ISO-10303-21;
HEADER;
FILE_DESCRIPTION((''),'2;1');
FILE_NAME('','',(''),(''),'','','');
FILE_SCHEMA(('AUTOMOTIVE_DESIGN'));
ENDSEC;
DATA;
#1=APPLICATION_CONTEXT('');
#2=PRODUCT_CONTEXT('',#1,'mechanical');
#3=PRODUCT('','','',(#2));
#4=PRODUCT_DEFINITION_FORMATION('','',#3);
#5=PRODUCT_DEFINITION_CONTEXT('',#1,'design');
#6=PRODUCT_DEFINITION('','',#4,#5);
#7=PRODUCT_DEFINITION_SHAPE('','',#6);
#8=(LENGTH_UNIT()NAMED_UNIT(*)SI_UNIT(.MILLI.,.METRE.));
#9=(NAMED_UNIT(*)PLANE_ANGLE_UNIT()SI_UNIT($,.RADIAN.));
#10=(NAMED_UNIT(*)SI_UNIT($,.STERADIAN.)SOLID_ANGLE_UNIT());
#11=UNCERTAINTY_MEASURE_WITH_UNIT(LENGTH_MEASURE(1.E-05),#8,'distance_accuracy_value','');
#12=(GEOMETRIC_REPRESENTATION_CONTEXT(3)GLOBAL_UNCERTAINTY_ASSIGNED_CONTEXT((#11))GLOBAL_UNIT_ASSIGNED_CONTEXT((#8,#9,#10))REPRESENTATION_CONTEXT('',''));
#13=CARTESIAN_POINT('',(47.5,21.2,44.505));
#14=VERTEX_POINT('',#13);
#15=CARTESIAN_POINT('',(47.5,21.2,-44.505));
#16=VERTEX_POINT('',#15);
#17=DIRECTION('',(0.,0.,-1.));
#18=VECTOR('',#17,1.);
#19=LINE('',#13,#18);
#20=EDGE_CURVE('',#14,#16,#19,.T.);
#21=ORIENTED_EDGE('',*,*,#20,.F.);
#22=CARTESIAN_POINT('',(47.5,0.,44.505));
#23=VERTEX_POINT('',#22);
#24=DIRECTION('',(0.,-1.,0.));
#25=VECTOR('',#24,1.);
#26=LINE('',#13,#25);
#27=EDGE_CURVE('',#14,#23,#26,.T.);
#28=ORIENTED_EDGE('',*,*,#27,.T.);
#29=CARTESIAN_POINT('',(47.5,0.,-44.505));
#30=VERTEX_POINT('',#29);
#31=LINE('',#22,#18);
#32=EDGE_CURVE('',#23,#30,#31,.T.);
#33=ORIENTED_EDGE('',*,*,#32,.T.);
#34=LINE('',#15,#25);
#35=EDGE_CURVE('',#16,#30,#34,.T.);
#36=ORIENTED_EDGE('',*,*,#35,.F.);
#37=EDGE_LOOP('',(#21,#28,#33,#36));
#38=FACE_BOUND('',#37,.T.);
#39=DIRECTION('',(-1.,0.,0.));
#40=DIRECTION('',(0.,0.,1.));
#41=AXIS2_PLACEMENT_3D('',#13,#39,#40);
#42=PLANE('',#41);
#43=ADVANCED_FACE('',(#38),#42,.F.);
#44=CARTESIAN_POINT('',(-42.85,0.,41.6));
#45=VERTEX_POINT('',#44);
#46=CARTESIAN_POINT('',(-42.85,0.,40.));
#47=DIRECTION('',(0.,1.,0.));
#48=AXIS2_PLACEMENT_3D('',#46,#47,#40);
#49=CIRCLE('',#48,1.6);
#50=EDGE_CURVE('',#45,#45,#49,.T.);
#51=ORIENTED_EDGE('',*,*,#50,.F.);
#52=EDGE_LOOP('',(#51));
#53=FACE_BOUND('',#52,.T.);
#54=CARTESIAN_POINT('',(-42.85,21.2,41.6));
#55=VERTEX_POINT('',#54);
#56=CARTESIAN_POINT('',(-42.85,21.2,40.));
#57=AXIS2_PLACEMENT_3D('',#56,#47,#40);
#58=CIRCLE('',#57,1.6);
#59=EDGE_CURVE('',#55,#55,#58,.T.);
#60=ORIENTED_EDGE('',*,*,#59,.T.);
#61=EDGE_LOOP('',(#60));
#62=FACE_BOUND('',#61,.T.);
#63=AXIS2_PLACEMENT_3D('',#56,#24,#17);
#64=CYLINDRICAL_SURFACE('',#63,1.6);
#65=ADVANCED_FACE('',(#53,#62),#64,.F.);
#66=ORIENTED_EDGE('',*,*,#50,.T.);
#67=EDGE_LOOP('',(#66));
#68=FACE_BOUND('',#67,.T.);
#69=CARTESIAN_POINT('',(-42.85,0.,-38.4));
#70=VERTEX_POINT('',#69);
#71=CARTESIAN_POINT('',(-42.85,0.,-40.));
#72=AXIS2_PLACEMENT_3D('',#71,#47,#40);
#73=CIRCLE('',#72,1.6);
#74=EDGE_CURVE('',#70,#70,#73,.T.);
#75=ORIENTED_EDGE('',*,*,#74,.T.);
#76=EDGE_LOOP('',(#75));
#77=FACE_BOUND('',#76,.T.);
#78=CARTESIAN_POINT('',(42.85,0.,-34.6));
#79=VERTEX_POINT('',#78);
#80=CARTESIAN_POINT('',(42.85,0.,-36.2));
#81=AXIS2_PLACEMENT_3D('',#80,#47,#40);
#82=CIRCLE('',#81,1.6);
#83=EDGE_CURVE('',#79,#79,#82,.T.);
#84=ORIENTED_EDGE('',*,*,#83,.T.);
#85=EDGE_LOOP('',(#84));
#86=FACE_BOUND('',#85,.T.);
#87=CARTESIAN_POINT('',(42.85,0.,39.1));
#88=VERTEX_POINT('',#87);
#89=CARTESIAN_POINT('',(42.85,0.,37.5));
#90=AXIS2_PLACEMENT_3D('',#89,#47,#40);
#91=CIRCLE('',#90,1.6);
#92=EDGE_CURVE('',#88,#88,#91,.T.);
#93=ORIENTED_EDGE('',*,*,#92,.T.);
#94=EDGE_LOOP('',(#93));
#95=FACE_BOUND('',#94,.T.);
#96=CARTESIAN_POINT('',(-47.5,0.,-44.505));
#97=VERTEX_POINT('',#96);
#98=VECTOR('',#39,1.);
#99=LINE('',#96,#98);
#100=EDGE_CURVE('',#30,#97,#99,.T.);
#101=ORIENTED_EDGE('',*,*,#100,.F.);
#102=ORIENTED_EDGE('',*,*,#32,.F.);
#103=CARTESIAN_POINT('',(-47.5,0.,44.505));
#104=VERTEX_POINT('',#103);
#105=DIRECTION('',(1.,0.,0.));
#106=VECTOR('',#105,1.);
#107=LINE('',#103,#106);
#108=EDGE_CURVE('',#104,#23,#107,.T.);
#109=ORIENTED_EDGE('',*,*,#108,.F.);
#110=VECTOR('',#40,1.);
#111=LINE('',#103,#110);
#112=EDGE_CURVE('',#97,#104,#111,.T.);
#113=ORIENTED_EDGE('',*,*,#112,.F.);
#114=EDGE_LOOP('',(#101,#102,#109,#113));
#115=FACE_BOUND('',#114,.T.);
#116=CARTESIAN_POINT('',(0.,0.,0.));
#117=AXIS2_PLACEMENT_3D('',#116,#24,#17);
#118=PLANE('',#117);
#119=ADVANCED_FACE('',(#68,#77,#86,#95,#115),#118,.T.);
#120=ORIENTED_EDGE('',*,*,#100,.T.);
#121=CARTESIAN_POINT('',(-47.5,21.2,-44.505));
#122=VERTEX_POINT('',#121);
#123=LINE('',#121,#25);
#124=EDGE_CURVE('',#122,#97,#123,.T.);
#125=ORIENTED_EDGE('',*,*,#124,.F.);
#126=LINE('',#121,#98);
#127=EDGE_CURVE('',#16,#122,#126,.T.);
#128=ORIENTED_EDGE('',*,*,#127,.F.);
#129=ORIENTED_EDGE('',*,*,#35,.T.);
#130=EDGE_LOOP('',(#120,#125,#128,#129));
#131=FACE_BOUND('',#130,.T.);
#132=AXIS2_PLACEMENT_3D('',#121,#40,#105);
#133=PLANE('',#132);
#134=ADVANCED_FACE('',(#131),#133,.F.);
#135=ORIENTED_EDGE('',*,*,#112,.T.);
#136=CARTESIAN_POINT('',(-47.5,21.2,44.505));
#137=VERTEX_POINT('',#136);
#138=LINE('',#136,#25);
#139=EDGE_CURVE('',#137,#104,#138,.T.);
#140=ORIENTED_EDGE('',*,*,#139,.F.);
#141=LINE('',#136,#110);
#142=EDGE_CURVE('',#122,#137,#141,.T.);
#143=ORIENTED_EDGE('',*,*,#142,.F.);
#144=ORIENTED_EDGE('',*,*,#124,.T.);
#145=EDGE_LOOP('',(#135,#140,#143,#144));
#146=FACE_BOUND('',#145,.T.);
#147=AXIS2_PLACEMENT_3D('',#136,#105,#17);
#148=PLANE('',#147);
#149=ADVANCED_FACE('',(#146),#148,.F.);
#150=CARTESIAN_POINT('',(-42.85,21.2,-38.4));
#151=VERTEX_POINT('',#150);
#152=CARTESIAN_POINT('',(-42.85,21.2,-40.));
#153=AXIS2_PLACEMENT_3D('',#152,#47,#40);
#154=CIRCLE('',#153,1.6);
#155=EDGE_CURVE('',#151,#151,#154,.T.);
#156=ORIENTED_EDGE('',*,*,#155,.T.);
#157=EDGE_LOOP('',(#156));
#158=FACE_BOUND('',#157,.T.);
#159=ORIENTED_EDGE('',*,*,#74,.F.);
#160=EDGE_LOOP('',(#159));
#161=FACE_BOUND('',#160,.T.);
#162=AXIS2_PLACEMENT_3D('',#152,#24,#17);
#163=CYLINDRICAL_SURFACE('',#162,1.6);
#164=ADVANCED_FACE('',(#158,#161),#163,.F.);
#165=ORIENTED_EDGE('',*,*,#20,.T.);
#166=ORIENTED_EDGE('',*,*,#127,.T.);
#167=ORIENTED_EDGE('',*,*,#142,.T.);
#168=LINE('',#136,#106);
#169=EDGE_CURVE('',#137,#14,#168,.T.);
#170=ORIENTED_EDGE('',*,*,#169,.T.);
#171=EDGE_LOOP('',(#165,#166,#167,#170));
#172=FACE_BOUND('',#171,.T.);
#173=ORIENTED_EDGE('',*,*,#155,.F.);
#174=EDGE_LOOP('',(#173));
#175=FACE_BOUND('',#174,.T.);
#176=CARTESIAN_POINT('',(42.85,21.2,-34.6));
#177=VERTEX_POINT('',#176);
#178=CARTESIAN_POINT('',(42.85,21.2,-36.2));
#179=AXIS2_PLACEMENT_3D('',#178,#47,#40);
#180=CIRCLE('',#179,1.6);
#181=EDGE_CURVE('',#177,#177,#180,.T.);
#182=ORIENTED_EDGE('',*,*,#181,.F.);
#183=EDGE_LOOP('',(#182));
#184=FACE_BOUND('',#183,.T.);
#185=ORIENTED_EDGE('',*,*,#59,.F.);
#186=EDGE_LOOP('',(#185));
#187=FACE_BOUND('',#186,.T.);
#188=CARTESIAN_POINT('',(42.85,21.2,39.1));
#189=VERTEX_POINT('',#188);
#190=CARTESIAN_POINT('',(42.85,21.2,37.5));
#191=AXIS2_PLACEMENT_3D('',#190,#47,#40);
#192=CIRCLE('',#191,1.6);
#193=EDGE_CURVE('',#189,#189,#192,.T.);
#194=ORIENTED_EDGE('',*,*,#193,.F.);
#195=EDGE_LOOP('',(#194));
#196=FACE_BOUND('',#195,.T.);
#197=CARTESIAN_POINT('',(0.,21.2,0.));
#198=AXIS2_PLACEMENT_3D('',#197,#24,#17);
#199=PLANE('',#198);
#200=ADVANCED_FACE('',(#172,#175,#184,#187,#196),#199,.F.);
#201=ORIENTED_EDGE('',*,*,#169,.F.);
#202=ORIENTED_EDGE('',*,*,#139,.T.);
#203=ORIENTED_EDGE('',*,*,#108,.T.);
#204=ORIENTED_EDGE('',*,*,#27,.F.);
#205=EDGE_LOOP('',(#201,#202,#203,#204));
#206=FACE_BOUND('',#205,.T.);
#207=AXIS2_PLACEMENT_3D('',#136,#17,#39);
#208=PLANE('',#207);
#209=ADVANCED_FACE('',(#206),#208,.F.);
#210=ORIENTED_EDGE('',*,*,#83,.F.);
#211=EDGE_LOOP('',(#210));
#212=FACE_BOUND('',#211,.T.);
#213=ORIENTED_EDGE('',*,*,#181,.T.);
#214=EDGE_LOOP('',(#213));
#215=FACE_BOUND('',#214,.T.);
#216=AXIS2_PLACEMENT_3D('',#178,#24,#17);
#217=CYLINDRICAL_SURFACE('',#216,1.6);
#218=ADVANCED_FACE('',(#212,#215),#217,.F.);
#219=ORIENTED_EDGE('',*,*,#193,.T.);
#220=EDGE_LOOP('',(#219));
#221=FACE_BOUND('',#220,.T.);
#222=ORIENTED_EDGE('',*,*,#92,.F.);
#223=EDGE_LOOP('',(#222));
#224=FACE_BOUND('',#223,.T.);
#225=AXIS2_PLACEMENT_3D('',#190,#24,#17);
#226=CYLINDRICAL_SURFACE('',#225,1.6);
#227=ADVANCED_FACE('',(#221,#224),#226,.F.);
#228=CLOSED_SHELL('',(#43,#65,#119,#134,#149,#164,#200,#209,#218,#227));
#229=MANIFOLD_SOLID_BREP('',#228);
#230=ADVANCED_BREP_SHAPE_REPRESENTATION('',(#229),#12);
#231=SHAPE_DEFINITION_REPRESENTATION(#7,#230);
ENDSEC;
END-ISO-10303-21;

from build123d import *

# Parameters (mm, degrees)
SKETCH1_W           = 95
SKETCH1_H           = 89.01
SKETCH1_R           = 1.6
BOSS_EXTRUDE1_DEPTH = 21.2


with BuildPart() as part:
    # Sketch1 → Boss-Extrude1 (new body)
    with BuildSketch(Plane(origin=(0, 0, 0), x_dir=(1, 0, 0), z_dir=(0, 1, 0))):
        Rectangle(SKETCH1_W, SKETCH1_H)
        with Locations((-42.85, 40)):
            Circle(SKETCH1_R, mode=Mode.SUBTRACT)
        with Locations((42.85, 36.2)):
            Circle(SKETCH1_R, mode=Mode.SUBTRACT)
        with Locations((-42.85, -40)):
            Circle(SKETCH1_R, mode=Mode.SUBTRACT)
        with Locations((42.85, -37.5)):
            Circle(SKETCH1_R, mode=Mode.SUBTRACT)
    extrude(amount=BOSS_EXTRUDE1_DEPTH)


solid = part.part
